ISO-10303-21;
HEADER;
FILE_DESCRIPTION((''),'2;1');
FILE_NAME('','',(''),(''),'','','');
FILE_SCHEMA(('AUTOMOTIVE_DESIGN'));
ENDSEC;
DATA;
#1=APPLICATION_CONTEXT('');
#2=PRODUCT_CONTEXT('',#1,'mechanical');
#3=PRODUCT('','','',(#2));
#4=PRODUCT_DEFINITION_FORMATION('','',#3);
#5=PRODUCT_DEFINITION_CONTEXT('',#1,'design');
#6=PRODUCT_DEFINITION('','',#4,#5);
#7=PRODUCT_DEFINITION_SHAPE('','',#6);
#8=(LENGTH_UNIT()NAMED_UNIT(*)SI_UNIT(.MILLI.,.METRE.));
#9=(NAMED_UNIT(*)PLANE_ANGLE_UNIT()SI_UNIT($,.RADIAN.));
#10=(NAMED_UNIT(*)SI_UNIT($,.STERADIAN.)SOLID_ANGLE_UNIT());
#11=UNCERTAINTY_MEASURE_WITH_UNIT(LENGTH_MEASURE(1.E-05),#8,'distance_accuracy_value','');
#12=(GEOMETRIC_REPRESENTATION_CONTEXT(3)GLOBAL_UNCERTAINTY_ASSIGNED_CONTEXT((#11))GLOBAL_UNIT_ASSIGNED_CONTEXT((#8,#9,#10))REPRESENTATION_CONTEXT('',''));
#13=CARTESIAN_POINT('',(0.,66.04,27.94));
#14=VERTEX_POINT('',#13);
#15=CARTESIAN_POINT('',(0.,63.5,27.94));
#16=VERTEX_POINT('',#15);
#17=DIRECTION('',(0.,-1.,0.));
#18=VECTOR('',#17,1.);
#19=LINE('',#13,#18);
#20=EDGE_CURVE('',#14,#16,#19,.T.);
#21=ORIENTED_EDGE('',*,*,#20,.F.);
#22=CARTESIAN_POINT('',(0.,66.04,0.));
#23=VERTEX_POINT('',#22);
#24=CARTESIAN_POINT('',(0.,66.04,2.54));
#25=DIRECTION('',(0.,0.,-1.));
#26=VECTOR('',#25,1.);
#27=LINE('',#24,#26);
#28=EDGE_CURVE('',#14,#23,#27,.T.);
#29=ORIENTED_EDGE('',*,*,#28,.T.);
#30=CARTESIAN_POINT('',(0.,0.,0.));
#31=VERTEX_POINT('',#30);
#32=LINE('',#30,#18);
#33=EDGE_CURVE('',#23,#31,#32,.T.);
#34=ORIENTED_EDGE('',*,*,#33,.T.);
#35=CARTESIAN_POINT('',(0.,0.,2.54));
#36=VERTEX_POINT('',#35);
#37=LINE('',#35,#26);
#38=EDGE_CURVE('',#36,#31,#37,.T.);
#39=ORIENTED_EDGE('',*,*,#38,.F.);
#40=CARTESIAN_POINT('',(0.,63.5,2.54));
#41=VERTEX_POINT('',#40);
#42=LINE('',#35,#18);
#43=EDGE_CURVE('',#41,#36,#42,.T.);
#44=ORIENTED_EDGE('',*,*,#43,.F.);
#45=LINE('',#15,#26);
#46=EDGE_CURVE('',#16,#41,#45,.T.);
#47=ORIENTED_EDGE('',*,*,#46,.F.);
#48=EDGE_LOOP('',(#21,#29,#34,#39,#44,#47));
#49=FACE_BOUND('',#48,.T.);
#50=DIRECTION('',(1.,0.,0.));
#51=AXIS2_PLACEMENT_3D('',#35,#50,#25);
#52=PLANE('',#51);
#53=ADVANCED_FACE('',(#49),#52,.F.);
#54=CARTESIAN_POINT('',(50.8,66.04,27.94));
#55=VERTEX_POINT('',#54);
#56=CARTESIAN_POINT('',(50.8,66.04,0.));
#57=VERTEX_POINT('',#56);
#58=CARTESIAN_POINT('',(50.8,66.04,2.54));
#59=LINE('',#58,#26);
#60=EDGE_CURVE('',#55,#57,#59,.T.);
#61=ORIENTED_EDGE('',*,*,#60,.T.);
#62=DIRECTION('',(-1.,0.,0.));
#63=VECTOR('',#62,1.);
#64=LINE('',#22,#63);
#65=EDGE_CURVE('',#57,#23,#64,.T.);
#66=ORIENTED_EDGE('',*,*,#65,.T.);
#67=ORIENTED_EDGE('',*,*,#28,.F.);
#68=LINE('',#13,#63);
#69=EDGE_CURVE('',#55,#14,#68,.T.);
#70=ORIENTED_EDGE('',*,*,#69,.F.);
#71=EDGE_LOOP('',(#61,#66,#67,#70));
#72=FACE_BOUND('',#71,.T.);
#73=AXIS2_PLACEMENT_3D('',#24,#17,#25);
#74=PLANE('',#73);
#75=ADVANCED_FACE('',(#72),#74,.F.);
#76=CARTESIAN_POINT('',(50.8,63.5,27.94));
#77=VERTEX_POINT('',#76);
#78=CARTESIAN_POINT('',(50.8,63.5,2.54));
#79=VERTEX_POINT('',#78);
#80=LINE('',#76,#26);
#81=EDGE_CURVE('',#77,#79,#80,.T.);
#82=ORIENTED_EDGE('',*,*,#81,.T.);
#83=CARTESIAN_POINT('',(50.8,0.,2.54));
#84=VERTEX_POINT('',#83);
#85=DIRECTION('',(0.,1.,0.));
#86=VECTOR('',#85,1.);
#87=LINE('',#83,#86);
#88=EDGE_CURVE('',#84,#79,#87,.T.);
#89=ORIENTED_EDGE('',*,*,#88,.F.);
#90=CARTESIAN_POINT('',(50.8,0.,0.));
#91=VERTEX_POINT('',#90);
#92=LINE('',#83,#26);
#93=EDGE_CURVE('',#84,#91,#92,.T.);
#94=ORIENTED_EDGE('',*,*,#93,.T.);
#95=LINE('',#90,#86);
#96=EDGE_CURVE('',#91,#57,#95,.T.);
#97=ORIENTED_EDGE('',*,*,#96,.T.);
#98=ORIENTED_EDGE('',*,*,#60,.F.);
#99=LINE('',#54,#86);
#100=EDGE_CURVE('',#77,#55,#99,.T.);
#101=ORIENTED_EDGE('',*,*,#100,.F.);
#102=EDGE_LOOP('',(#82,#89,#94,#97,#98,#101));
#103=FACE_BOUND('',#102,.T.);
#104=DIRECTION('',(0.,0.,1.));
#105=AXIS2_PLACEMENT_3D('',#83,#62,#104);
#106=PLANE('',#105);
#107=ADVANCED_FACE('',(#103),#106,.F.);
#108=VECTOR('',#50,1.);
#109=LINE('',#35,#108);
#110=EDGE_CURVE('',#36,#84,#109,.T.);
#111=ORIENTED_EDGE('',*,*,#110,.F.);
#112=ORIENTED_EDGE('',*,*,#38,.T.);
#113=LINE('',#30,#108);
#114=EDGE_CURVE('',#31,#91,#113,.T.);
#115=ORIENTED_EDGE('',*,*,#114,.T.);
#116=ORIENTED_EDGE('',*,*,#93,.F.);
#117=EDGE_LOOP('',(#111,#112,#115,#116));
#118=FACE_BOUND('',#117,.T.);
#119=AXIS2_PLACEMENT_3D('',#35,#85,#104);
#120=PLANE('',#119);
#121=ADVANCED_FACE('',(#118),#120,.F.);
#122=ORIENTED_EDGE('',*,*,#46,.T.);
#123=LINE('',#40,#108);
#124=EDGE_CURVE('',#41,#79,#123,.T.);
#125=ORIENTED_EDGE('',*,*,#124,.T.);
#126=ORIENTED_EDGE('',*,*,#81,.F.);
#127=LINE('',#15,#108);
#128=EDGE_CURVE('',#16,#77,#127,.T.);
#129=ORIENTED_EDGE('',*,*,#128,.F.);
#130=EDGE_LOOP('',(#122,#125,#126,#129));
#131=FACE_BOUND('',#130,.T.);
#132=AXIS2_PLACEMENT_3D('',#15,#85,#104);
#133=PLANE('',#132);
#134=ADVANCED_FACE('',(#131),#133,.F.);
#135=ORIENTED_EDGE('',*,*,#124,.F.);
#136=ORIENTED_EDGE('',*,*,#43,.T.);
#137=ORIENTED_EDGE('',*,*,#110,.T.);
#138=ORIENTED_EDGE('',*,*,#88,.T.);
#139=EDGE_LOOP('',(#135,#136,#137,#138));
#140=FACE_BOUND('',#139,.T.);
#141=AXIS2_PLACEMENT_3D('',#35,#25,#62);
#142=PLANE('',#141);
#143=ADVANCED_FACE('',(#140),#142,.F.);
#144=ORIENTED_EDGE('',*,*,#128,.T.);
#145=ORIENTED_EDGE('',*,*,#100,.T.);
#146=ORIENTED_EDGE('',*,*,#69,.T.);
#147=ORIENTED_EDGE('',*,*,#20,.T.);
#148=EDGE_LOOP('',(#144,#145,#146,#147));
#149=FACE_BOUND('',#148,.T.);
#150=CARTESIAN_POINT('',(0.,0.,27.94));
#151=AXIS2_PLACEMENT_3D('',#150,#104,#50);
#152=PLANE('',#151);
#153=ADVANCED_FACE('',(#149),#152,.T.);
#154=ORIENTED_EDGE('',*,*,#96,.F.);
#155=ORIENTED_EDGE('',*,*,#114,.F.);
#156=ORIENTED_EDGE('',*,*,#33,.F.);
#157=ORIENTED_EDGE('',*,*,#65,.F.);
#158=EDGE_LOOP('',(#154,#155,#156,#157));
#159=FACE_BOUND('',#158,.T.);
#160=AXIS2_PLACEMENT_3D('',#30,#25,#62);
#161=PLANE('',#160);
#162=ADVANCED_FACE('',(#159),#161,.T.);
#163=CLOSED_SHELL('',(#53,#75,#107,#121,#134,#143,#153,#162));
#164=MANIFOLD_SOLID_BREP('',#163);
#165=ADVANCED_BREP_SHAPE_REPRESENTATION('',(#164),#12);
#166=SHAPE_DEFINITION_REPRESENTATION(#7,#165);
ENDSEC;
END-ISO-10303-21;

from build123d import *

# Parameters (mm, degrees)
SKETCH1_W           = 50.8
SKETCH1_H           = 66.04
BOSS_EXTRUDE1_DEPTH = 2.54
SKETCH2_W           = 50.8
SKETCH2_H           = 2.54
BOSS_EXTRUDE2_DEPTH = 25.4


with BuildPart() as part:
    # Sketch1 → Boss-Extrude1 (new body)
    with BuildSketch(Plane.XY):
        with Locations((25.4, 33.02)):
            Rectangle(SKETCH1_W, SKETCH1_H)
    extrude(amount=BOSS_EXTRUDE1_DEPTH)

    # Sketch2 → Boss-Extrude2 (add)
    with BuildSketch(Plane.XY.offset(2.54)):
        with Locations((25.4, 64.77)):
            Rectangle(SKETCH2_W, SKETCH2_H)
    extrude(amount=BOSS_EXTRUDE2_DEPTH)


solid = part.part
